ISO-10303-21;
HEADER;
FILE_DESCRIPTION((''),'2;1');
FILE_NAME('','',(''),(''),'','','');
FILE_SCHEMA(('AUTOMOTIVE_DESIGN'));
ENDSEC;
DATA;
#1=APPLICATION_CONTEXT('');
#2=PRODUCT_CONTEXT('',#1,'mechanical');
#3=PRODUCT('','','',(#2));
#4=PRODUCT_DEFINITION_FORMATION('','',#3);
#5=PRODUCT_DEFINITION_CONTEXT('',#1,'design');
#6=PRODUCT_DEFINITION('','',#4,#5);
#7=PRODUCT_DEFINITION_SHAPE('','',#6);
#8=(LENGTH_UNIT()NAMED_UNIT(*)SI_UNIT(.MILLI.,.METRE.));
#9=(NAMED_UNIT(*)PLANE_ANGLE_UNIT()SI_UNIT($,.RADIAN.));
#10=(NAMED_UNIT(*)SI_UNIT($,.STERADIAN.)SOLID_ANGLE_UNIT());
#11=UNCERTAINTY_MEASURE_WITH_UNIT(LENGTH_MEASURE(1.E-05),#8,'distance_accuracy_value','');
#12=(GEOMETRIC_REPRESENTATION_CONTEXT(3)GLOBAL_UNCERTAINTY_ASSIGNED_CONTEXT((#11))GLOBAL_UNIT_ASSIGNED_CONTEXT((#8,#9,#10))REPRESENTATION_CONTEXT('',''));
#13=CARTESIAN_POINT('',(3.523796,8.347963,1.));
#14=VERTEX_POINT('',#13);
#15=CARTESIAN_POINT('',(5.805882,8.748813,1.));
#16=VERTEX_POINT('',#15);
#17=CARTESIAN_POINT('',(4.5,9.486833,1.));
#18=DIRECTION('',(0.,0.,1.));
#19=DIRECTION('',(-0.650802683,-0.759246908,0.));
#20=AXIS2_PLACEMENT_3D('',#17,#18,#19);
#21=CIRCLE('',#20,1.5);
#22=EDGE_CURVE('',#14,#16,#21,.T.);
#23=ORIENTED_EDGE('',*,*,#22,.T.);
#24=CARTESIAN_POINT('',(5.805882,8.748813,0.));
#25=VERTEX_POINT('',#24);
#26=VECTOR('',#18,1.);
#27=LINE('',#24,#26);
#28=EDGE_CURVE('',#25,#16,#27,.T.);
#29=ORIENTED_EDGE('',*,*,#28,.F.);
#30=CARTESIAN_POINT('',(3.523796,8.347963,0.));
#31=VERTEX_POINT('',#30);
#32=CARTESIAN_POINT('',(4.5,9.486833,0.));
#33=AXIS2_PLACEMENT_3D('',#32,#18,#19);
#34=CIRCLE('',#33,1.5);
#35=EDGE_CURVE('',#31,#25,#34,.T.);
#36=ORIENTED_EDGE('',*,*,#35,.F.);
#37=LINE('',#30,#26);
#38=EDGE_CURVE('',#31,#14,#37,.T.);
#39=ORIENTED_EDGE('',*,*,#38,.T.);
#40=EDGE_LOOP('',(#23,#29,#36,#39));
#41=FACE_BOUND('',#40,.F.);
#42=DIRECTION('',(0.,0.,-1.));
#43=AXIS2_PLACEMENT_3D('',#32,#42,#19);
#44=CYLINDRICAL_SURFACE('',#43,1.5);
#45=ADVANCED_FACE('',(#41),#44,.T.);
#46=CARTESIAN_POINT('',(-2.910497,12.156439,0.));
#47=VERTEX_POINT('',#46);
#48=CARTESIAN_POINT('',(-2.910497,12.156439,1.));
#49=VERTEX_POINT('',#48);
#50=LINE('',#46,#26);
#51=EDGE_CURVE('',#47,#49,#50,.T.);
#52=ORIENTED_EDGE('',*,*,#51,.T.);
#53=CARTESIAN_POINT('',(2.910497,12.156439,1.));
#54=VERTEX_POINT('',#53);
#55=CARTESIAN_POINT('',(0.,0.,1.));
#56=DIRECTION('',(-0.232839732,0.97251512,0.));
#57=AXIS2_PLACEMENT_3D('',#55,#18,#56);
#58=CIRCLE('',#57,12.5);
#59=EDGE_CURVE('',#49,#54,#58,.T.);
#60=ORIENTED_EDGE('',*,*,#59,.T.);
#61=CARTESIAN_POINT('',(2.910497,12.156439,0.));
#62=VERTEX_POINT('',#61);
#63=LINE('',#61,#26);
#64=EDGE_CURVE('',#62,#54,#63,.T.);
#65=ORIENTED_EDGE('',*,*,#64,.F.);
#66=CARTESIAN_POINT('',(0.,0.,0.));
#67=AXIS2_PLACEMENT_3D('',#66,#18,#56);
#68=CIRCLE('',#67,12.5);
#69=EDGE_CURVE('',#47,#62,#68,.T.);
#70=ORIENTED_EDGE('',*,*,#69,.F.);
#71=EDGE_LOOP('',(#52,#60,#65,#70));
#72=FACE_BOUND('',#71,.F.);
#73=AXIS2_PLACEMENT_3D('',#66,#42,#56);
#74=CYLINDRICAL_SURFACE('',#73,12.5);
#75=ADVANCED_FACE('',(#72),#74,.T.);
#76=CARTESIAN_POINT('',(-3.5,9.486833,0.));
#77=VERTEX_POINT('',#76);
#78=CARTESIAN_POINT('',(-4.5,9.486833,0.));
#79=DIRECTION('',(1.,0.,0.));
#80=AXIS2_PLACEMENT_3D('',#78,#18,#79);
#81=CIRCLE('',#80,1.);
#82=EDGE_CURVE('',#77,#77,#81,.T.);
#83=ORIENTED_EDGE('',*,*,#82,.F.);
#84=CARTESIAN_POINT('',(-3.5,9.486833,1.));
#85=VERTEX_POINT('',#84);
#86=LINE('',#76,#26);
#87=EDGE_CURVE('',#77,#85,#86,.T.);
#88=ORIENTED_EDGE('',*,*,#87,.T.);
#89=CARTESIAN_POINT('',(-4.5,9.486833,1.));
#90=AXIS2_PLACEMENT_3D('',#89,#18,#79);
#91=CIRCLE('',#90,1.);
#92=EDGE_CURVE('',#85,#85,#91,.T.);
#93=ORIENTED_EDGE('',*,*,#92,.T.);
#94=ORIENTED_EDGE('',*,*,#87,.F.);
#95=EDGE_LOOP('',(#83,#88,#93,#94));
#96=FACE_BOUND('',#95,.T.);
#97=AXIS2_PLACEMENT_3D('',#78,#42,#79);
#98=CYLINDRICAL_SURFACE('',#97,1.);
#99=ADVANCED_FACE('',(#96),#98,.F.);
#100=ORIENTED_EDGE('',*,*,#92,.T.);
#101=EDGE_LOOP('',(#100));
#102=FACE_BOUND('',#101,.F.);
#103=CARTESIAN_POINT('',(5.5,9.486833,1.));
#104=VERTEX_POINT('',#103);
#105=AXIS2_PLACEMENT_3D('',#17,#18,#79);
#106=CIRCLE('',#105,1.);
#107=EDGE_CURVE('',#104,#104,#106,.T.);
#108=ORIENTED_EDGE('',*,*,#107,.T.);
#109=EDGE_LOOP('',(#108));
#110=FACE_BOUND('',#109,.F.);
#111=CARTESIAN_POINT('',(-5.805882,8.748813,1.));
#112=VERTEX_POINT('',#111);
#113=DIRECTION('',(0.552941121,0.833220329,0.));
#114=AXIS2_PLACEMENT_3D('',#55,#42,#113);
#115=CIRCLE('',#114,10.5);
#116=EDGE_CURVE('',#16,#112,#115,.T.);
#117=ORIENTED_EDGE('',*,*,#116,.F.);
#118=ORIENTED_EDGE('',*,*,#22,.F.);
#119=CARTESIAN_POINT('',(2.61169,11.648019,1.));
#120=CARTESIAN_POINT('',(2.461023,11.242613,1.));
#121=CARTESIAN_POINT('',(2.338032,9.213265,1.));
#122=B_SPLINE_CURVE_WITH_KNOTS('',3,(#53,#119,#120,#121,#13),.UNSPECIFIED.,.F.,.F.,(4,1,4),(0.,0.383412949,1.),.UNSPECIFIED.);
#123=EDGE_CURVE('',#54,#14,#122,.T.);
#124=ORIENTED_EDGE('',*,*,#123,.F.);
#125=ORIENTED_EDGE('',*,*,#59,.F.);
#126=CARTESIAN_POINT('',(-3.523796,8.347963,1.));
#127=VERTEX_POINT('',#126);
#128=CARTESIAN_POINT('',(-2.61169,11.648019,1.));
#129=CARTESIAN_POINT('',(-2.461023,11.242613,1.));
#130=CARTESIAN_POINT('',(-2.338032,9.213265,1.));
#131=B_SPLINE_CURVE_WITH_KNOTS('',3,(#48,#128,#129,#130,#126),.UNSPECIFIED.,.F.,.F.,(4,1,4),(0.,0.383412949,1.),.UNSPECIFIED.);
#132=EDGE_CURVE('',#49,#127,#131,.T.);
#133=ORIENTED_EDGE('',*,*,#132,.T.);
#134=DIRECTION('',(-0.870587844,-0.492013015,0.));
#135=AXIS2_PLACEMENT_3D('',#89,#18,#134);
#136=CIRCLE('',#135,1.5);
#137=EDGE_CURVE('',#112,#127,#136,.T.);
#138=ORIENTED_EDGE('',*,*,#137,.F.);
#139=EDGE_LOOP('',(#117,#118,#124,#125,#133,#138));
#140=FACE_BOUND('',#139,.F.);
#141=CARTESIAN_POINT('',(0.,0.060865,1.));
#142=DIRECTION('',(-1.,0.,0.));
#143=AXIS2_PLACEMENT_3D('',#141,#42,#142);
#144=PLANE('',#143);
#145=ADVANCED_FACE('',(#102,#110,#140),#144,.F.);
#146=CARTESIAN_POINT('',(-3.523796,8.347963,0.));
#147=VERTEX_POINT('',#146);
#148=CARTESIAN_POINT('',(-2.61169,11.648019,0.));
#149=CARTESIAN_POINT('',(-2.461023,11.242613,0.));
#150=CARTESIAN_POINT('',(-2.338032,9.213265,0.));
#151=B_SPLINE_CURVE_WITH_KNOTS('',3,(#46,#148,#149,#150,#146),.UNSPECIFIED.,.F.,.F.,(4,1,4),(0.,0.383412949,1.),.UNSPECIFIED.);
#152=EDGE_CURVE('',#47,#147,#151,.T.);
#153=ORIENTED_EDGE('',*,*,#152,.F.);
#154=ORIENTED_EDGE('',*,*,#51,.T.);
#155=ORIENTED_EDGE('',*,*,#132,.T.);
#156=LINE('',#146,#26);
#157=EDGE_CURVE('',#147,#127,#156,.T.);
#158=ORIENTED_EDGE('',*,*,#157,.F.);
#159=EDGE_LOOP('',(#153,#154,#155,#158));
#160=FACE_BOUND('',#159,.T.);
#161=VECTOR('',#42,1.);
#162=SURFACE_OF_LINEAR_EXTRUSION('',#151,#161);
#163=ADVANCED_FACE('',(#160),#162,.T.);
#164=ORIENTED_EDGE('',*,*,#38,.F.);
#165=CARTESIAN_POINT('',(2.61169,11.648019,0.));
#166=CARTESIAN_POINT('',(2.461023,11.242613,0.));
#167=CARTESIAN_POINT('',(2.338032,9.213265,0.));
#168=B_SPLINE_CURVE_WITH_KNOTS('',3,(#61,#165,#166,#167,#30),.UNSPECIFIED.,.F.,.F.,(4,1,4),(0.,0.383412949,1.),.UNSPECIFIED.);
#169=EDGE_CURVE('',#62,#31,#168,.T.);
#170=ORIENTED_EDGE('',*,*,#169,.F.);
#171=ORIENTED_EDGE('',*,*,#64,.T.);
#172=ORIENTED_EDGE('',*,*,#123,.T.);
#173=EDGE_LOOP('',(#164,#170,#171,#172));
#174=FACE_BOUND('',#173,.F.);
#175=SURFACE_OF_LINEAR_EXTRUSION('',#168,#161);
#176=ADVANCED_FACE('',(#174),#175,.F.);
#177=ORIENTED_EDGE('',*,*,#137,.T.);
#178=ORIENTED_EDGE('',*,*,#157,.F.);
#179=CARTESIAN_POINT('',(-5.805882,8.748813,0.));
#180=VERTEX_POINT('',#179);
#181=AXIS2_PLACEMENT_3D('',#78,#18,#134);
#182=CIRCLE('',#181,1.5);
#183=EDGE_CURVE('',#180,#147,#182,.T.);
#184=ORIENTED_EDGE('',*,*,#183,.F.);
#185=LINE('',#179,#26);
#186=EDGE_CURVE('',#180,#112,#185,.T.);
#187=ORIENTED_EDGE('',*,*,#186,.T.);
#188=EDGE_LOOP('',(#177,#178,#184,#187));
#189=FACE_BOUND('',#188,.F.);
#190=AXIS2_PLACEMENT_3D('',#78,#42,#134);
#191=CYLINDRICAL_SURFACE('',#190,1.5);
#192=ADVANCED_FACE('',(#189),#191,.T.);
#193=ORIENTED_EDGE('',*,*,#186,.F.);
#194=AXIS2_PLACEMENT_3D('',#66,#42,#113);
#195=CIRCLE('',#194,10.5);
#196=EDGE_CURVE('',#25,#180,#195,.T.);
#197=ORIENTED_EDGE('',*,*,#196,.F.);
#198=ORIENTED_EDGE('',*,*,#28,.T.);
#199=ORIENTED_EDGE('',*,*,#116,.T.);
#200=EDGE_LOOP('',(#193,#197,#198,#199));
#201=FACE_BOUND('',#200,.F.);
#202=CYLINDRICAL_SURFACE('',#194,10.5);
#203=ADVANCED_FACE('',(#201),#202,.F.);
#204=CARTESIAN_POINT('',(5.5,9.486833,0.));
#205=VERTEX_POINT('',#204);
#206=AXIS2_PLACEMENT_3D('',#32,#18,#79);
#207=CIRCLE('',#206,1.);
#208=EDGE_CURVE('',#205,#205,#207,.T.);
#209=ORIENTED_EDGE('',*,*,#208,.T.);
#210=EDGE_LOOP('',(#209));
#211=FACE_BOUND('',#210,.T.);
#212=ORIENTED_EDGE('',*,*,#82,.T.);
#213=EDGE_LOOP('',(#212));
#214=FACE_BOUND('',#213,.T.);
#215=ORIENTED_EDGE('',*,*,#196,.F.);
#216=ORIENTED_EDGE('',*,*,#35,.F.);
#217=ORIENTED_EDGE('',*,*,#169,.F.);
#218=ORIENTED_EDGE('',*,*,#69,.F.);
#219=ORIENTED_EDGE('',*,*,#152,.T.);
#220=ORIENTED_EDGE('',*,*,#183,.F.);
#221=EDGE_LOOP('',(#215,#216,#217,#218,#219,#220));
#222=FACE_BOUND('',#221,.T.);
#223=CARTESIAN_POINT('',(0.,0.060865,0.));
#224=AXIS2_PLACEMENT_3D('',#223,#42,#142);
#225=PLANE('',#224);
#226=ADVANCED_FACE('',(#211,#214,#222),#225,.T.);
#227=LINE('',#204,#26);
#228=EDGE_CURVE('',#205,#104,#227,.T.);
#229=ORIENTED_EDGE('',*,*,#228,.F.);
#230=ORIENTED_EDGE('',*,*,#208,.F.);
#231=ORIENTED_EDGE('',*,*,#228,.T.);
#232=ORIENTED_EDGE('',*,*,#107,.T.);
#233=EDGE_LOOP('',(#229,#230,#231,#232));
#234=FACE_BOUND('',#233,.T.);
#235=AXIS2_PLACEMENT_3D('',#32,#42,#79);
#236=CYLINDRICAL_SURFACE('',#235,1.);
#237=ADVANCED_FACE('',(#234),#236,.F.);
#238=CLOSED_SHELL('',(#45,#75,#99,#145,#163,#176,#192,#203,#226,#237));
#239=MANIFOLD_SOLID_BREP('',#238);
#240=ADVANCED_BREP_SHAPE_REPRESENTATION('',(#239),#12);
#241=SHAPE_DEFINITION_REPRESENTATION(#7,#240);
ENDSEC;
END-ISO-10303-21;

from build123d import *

# Parameters (mm, degrees)
F0_R     = 1
F1_DEPTH = 1


with BuildPart() as f1:
    # F0 (on Top) → F1 (new body)
    with BuildSketch(Plane.XY):
        with BuildLine():
            add(Edge.make_bspline(
                [(-2.9104966439, 12.1564390051), (-2.6116896396, 11.6480191061), (-2.4610225469, 11.2426126579), (-2.338031645, 9.2132649214), (-3.5237959751, 8.3479626184)],
                knots=[0, 0, 0, 0, 0.3834129485, 1, 1, 1, 1], degree=3))
            ThreePointArc((-2.9104966439, 12.1564390051), (0, -12.5), (2.9104966439, 12.1564390051))
            add(Edge.make_bspline(
                [(2.9104966439, 12.1564390051), (2.6116896396, 11.6480191061), (2.4610225469, 11.2426126579), (2.338031645, 9.2132649214), (3.5237959751, 8.3479626184)],
                knots=[0, 0, 0, 0, 0.3834129485, 1, 1, 1, 1], degree=3))
            ThreePointArc((3.5237959751, 8.3479626184), (4.7595037612, 8.0094509047), (5.8058817653, 8.7488134583))
            ThreePointArc((5.8058817653, 8.7488134583), (0, -10.5), (-5.8058817653, 8.7488134583))
            ThreePointArc((-5.8058817653, 8.7488134583), (-4.7595037612, 8.0094509047), (-3.5237959751, 8.3479626184))
        make_face()
        with Locations((-4.5, 9.4868329805)):
            Circle(F0_R, mode=Mode.SUBTRACT)
        with Locations((4.5, 9.4868329805)):
            Circle(F0_R, mode=Mode.SUBTRACT)
    extrude(amount=F1_DEPTH)


solid = f1.part
